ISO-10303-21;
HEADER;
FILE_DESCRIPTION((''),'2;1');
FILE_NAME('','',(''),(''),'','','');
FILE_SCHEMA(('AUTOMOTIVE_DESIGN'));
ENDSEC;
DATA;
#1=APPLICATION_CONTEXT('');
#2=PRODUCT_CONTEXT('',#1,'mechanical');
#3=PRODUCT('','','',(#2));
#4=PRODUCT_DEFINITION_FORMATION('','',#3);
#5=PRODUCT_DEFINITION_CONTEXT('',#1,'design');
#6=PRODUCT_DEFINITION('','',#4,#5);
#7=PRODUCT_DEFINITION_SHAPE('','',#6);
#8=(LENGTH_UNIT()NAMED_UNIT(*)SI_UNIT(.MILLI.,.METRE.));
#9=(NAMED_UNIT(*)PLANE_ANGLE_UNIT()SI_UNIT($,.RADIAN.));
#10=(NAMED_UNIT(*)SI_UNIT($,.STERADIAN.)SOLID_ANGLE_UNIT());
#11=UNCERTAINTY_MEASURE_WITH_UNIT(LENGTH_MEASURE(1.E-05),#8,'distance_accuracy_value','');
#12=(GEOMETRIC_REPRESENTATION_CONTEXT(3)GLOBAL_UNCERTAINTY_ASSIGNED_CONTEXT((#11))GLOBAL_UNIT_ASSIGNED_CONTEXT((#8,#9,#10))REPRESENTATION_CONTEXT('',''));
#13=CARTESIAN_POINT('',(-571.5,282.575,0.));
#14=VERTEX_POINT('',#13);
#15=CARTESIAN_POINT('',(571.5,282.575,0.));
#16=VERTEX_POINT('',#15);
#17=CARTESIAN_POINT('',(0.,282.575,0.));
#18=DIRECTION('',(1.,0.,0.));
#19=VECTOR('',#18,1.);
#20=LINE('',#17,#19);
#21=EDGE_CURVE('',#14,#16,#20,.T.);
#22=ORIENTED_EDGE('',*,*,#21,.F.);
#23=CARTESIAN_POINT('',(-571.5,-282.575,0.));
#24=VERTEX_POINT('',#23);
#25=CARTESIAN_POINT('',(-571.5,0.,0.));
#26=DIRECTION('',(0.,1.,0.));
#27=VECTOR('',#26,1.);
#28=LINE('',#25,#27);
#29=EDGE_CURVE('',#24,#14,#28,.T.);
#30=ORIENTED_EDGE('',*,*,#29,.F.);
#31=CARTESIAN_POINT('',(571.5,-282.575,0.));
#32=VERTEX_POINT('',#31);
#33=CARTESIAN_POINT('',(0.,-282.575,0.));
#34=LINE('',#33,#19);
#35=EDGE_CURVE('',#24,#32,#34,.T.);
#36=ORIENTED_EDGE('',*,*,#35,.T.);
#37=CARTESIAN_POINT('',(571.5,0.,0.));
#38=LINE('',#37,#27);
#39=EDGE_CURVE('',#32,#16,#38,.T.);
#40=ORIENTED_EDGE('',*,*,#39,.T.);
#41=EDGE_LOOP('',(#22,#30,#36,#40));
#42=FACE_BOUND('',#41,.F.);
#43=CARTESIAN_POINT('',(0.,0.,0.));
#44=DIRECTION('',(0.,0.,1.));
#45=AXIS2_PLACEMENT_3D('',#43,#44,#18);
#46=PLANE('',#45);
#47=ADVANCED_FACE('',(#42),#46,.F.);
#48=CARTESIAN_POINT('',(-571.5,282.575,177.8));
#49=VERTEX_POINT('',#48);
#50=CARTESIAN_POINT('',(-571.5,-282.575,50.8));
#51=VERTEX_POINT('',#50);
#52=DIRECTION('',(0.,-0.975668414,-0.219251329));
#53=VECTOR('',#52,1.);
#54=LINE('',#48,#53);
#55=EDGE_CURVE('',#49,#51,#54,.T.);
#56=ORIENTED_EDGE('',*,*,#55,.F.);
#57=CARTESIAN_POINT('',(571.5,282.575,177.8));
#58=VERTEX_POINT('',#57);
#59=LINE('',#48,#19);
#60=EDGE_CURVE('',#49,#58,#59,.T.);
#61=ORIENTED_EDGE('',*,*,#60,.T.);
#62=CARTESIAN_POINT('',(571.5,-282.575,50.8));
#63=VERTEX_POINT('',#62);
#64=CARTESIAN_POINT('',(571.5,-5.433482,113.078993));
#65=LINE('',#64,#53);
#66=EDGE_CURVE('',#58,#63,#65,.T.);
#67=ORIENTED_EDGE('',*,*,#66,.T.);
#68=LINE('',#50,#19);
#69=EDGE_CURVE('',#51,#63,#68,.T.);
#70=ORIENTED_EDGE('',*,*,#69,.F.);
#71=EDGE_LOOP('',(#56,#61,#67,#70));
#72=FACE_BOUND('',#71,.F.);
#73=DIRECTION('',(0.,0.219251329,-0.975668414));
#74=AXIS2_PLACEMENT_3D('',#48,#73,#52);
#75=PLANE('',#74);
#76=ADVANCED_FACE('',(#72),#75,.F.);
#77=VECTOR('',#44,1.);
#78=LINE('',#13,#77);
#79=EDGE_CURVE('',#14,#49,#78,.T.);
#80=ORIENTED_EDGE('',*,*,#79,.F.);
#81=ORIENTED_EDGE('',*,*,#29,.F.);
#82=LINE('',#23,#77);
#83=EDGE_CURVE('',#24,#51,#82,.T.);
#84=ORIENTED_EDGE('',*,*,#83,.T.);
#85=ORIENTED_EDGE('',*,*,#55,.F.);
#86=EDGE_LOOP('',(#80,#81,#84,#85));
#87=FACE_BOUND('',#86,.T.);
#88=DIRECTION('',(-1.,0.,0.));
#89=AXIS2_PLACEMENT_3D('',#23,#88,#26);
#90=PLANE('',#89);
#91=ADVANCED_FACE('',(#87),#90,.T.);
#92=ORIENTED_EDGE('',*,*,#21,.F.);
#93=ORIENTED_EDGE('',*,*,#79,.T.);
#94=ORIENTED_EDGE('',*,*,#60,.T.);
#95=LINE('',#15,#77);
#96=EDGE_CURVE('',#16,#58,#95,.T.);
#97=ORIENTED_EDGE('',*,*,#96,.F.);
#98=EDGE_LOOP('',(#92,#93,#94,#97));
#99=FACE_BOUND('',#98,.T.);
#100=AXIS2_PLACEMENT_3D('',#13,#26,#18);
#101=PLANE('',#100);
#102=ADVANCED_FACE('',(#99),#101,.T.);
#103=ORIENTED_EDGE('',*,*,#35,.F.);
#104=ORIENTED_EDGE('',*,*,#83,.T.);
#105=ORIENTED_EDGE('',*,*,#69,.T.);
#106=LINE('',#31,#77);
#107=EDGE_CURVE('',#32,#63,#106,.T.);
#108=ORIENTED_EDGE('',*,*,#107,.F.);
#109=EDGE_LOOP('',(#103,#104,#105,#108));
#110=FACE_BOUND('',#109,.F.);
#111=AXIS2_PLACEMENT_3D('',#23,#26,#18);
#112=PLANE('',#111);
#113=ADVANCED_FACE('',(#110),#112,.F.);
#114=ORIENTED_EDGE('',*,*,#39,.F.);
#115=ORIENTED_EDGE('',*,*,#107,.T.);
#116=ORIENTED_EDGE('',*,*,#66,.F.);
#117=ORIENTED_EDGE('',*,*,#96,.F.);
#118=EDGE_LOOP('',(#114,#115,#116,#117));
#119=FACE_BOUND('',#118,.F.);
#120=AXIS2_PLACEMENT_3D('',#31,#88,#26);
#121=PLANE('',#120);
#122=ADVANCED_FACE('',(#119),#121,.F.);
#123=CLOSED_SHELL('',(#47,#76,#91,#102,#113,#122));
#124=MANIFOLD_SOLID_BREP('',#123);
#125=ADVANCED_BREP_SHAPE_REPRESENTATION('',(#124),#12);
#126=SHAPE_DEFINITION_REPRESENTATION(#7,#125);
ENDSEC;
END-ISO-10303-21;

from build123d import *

# Parameters (mm, degrees)
F0_W     = 1143
F0_H     = 565.15
F1_DEPTH = 228.6
F3_DEPTH = 1358.16443


with BuildPart() as f1:
    # F0 (on Top) → F1 (new body)
    with BuildSketch(Plane.XY):
        Rectangle(F0_W, F0_H)
    extrude(amount=F1_DEPTH)

    # F2 (on face) → F3 (cut)
    with BuildSketch(Plane(origin=(-571.5, 0, 0), x_dir=(0, -1, 0), z_dir=(-1, 0, 0))):
        Polygon((-282.575, 228.6), (-282.575, 177.8), (282.575, 50.8), (282.575, 228.6), align=None)
    extrude(amount=-F3_DEPTH, mode=Mode.SUBTRACT)


solid = f1.part
